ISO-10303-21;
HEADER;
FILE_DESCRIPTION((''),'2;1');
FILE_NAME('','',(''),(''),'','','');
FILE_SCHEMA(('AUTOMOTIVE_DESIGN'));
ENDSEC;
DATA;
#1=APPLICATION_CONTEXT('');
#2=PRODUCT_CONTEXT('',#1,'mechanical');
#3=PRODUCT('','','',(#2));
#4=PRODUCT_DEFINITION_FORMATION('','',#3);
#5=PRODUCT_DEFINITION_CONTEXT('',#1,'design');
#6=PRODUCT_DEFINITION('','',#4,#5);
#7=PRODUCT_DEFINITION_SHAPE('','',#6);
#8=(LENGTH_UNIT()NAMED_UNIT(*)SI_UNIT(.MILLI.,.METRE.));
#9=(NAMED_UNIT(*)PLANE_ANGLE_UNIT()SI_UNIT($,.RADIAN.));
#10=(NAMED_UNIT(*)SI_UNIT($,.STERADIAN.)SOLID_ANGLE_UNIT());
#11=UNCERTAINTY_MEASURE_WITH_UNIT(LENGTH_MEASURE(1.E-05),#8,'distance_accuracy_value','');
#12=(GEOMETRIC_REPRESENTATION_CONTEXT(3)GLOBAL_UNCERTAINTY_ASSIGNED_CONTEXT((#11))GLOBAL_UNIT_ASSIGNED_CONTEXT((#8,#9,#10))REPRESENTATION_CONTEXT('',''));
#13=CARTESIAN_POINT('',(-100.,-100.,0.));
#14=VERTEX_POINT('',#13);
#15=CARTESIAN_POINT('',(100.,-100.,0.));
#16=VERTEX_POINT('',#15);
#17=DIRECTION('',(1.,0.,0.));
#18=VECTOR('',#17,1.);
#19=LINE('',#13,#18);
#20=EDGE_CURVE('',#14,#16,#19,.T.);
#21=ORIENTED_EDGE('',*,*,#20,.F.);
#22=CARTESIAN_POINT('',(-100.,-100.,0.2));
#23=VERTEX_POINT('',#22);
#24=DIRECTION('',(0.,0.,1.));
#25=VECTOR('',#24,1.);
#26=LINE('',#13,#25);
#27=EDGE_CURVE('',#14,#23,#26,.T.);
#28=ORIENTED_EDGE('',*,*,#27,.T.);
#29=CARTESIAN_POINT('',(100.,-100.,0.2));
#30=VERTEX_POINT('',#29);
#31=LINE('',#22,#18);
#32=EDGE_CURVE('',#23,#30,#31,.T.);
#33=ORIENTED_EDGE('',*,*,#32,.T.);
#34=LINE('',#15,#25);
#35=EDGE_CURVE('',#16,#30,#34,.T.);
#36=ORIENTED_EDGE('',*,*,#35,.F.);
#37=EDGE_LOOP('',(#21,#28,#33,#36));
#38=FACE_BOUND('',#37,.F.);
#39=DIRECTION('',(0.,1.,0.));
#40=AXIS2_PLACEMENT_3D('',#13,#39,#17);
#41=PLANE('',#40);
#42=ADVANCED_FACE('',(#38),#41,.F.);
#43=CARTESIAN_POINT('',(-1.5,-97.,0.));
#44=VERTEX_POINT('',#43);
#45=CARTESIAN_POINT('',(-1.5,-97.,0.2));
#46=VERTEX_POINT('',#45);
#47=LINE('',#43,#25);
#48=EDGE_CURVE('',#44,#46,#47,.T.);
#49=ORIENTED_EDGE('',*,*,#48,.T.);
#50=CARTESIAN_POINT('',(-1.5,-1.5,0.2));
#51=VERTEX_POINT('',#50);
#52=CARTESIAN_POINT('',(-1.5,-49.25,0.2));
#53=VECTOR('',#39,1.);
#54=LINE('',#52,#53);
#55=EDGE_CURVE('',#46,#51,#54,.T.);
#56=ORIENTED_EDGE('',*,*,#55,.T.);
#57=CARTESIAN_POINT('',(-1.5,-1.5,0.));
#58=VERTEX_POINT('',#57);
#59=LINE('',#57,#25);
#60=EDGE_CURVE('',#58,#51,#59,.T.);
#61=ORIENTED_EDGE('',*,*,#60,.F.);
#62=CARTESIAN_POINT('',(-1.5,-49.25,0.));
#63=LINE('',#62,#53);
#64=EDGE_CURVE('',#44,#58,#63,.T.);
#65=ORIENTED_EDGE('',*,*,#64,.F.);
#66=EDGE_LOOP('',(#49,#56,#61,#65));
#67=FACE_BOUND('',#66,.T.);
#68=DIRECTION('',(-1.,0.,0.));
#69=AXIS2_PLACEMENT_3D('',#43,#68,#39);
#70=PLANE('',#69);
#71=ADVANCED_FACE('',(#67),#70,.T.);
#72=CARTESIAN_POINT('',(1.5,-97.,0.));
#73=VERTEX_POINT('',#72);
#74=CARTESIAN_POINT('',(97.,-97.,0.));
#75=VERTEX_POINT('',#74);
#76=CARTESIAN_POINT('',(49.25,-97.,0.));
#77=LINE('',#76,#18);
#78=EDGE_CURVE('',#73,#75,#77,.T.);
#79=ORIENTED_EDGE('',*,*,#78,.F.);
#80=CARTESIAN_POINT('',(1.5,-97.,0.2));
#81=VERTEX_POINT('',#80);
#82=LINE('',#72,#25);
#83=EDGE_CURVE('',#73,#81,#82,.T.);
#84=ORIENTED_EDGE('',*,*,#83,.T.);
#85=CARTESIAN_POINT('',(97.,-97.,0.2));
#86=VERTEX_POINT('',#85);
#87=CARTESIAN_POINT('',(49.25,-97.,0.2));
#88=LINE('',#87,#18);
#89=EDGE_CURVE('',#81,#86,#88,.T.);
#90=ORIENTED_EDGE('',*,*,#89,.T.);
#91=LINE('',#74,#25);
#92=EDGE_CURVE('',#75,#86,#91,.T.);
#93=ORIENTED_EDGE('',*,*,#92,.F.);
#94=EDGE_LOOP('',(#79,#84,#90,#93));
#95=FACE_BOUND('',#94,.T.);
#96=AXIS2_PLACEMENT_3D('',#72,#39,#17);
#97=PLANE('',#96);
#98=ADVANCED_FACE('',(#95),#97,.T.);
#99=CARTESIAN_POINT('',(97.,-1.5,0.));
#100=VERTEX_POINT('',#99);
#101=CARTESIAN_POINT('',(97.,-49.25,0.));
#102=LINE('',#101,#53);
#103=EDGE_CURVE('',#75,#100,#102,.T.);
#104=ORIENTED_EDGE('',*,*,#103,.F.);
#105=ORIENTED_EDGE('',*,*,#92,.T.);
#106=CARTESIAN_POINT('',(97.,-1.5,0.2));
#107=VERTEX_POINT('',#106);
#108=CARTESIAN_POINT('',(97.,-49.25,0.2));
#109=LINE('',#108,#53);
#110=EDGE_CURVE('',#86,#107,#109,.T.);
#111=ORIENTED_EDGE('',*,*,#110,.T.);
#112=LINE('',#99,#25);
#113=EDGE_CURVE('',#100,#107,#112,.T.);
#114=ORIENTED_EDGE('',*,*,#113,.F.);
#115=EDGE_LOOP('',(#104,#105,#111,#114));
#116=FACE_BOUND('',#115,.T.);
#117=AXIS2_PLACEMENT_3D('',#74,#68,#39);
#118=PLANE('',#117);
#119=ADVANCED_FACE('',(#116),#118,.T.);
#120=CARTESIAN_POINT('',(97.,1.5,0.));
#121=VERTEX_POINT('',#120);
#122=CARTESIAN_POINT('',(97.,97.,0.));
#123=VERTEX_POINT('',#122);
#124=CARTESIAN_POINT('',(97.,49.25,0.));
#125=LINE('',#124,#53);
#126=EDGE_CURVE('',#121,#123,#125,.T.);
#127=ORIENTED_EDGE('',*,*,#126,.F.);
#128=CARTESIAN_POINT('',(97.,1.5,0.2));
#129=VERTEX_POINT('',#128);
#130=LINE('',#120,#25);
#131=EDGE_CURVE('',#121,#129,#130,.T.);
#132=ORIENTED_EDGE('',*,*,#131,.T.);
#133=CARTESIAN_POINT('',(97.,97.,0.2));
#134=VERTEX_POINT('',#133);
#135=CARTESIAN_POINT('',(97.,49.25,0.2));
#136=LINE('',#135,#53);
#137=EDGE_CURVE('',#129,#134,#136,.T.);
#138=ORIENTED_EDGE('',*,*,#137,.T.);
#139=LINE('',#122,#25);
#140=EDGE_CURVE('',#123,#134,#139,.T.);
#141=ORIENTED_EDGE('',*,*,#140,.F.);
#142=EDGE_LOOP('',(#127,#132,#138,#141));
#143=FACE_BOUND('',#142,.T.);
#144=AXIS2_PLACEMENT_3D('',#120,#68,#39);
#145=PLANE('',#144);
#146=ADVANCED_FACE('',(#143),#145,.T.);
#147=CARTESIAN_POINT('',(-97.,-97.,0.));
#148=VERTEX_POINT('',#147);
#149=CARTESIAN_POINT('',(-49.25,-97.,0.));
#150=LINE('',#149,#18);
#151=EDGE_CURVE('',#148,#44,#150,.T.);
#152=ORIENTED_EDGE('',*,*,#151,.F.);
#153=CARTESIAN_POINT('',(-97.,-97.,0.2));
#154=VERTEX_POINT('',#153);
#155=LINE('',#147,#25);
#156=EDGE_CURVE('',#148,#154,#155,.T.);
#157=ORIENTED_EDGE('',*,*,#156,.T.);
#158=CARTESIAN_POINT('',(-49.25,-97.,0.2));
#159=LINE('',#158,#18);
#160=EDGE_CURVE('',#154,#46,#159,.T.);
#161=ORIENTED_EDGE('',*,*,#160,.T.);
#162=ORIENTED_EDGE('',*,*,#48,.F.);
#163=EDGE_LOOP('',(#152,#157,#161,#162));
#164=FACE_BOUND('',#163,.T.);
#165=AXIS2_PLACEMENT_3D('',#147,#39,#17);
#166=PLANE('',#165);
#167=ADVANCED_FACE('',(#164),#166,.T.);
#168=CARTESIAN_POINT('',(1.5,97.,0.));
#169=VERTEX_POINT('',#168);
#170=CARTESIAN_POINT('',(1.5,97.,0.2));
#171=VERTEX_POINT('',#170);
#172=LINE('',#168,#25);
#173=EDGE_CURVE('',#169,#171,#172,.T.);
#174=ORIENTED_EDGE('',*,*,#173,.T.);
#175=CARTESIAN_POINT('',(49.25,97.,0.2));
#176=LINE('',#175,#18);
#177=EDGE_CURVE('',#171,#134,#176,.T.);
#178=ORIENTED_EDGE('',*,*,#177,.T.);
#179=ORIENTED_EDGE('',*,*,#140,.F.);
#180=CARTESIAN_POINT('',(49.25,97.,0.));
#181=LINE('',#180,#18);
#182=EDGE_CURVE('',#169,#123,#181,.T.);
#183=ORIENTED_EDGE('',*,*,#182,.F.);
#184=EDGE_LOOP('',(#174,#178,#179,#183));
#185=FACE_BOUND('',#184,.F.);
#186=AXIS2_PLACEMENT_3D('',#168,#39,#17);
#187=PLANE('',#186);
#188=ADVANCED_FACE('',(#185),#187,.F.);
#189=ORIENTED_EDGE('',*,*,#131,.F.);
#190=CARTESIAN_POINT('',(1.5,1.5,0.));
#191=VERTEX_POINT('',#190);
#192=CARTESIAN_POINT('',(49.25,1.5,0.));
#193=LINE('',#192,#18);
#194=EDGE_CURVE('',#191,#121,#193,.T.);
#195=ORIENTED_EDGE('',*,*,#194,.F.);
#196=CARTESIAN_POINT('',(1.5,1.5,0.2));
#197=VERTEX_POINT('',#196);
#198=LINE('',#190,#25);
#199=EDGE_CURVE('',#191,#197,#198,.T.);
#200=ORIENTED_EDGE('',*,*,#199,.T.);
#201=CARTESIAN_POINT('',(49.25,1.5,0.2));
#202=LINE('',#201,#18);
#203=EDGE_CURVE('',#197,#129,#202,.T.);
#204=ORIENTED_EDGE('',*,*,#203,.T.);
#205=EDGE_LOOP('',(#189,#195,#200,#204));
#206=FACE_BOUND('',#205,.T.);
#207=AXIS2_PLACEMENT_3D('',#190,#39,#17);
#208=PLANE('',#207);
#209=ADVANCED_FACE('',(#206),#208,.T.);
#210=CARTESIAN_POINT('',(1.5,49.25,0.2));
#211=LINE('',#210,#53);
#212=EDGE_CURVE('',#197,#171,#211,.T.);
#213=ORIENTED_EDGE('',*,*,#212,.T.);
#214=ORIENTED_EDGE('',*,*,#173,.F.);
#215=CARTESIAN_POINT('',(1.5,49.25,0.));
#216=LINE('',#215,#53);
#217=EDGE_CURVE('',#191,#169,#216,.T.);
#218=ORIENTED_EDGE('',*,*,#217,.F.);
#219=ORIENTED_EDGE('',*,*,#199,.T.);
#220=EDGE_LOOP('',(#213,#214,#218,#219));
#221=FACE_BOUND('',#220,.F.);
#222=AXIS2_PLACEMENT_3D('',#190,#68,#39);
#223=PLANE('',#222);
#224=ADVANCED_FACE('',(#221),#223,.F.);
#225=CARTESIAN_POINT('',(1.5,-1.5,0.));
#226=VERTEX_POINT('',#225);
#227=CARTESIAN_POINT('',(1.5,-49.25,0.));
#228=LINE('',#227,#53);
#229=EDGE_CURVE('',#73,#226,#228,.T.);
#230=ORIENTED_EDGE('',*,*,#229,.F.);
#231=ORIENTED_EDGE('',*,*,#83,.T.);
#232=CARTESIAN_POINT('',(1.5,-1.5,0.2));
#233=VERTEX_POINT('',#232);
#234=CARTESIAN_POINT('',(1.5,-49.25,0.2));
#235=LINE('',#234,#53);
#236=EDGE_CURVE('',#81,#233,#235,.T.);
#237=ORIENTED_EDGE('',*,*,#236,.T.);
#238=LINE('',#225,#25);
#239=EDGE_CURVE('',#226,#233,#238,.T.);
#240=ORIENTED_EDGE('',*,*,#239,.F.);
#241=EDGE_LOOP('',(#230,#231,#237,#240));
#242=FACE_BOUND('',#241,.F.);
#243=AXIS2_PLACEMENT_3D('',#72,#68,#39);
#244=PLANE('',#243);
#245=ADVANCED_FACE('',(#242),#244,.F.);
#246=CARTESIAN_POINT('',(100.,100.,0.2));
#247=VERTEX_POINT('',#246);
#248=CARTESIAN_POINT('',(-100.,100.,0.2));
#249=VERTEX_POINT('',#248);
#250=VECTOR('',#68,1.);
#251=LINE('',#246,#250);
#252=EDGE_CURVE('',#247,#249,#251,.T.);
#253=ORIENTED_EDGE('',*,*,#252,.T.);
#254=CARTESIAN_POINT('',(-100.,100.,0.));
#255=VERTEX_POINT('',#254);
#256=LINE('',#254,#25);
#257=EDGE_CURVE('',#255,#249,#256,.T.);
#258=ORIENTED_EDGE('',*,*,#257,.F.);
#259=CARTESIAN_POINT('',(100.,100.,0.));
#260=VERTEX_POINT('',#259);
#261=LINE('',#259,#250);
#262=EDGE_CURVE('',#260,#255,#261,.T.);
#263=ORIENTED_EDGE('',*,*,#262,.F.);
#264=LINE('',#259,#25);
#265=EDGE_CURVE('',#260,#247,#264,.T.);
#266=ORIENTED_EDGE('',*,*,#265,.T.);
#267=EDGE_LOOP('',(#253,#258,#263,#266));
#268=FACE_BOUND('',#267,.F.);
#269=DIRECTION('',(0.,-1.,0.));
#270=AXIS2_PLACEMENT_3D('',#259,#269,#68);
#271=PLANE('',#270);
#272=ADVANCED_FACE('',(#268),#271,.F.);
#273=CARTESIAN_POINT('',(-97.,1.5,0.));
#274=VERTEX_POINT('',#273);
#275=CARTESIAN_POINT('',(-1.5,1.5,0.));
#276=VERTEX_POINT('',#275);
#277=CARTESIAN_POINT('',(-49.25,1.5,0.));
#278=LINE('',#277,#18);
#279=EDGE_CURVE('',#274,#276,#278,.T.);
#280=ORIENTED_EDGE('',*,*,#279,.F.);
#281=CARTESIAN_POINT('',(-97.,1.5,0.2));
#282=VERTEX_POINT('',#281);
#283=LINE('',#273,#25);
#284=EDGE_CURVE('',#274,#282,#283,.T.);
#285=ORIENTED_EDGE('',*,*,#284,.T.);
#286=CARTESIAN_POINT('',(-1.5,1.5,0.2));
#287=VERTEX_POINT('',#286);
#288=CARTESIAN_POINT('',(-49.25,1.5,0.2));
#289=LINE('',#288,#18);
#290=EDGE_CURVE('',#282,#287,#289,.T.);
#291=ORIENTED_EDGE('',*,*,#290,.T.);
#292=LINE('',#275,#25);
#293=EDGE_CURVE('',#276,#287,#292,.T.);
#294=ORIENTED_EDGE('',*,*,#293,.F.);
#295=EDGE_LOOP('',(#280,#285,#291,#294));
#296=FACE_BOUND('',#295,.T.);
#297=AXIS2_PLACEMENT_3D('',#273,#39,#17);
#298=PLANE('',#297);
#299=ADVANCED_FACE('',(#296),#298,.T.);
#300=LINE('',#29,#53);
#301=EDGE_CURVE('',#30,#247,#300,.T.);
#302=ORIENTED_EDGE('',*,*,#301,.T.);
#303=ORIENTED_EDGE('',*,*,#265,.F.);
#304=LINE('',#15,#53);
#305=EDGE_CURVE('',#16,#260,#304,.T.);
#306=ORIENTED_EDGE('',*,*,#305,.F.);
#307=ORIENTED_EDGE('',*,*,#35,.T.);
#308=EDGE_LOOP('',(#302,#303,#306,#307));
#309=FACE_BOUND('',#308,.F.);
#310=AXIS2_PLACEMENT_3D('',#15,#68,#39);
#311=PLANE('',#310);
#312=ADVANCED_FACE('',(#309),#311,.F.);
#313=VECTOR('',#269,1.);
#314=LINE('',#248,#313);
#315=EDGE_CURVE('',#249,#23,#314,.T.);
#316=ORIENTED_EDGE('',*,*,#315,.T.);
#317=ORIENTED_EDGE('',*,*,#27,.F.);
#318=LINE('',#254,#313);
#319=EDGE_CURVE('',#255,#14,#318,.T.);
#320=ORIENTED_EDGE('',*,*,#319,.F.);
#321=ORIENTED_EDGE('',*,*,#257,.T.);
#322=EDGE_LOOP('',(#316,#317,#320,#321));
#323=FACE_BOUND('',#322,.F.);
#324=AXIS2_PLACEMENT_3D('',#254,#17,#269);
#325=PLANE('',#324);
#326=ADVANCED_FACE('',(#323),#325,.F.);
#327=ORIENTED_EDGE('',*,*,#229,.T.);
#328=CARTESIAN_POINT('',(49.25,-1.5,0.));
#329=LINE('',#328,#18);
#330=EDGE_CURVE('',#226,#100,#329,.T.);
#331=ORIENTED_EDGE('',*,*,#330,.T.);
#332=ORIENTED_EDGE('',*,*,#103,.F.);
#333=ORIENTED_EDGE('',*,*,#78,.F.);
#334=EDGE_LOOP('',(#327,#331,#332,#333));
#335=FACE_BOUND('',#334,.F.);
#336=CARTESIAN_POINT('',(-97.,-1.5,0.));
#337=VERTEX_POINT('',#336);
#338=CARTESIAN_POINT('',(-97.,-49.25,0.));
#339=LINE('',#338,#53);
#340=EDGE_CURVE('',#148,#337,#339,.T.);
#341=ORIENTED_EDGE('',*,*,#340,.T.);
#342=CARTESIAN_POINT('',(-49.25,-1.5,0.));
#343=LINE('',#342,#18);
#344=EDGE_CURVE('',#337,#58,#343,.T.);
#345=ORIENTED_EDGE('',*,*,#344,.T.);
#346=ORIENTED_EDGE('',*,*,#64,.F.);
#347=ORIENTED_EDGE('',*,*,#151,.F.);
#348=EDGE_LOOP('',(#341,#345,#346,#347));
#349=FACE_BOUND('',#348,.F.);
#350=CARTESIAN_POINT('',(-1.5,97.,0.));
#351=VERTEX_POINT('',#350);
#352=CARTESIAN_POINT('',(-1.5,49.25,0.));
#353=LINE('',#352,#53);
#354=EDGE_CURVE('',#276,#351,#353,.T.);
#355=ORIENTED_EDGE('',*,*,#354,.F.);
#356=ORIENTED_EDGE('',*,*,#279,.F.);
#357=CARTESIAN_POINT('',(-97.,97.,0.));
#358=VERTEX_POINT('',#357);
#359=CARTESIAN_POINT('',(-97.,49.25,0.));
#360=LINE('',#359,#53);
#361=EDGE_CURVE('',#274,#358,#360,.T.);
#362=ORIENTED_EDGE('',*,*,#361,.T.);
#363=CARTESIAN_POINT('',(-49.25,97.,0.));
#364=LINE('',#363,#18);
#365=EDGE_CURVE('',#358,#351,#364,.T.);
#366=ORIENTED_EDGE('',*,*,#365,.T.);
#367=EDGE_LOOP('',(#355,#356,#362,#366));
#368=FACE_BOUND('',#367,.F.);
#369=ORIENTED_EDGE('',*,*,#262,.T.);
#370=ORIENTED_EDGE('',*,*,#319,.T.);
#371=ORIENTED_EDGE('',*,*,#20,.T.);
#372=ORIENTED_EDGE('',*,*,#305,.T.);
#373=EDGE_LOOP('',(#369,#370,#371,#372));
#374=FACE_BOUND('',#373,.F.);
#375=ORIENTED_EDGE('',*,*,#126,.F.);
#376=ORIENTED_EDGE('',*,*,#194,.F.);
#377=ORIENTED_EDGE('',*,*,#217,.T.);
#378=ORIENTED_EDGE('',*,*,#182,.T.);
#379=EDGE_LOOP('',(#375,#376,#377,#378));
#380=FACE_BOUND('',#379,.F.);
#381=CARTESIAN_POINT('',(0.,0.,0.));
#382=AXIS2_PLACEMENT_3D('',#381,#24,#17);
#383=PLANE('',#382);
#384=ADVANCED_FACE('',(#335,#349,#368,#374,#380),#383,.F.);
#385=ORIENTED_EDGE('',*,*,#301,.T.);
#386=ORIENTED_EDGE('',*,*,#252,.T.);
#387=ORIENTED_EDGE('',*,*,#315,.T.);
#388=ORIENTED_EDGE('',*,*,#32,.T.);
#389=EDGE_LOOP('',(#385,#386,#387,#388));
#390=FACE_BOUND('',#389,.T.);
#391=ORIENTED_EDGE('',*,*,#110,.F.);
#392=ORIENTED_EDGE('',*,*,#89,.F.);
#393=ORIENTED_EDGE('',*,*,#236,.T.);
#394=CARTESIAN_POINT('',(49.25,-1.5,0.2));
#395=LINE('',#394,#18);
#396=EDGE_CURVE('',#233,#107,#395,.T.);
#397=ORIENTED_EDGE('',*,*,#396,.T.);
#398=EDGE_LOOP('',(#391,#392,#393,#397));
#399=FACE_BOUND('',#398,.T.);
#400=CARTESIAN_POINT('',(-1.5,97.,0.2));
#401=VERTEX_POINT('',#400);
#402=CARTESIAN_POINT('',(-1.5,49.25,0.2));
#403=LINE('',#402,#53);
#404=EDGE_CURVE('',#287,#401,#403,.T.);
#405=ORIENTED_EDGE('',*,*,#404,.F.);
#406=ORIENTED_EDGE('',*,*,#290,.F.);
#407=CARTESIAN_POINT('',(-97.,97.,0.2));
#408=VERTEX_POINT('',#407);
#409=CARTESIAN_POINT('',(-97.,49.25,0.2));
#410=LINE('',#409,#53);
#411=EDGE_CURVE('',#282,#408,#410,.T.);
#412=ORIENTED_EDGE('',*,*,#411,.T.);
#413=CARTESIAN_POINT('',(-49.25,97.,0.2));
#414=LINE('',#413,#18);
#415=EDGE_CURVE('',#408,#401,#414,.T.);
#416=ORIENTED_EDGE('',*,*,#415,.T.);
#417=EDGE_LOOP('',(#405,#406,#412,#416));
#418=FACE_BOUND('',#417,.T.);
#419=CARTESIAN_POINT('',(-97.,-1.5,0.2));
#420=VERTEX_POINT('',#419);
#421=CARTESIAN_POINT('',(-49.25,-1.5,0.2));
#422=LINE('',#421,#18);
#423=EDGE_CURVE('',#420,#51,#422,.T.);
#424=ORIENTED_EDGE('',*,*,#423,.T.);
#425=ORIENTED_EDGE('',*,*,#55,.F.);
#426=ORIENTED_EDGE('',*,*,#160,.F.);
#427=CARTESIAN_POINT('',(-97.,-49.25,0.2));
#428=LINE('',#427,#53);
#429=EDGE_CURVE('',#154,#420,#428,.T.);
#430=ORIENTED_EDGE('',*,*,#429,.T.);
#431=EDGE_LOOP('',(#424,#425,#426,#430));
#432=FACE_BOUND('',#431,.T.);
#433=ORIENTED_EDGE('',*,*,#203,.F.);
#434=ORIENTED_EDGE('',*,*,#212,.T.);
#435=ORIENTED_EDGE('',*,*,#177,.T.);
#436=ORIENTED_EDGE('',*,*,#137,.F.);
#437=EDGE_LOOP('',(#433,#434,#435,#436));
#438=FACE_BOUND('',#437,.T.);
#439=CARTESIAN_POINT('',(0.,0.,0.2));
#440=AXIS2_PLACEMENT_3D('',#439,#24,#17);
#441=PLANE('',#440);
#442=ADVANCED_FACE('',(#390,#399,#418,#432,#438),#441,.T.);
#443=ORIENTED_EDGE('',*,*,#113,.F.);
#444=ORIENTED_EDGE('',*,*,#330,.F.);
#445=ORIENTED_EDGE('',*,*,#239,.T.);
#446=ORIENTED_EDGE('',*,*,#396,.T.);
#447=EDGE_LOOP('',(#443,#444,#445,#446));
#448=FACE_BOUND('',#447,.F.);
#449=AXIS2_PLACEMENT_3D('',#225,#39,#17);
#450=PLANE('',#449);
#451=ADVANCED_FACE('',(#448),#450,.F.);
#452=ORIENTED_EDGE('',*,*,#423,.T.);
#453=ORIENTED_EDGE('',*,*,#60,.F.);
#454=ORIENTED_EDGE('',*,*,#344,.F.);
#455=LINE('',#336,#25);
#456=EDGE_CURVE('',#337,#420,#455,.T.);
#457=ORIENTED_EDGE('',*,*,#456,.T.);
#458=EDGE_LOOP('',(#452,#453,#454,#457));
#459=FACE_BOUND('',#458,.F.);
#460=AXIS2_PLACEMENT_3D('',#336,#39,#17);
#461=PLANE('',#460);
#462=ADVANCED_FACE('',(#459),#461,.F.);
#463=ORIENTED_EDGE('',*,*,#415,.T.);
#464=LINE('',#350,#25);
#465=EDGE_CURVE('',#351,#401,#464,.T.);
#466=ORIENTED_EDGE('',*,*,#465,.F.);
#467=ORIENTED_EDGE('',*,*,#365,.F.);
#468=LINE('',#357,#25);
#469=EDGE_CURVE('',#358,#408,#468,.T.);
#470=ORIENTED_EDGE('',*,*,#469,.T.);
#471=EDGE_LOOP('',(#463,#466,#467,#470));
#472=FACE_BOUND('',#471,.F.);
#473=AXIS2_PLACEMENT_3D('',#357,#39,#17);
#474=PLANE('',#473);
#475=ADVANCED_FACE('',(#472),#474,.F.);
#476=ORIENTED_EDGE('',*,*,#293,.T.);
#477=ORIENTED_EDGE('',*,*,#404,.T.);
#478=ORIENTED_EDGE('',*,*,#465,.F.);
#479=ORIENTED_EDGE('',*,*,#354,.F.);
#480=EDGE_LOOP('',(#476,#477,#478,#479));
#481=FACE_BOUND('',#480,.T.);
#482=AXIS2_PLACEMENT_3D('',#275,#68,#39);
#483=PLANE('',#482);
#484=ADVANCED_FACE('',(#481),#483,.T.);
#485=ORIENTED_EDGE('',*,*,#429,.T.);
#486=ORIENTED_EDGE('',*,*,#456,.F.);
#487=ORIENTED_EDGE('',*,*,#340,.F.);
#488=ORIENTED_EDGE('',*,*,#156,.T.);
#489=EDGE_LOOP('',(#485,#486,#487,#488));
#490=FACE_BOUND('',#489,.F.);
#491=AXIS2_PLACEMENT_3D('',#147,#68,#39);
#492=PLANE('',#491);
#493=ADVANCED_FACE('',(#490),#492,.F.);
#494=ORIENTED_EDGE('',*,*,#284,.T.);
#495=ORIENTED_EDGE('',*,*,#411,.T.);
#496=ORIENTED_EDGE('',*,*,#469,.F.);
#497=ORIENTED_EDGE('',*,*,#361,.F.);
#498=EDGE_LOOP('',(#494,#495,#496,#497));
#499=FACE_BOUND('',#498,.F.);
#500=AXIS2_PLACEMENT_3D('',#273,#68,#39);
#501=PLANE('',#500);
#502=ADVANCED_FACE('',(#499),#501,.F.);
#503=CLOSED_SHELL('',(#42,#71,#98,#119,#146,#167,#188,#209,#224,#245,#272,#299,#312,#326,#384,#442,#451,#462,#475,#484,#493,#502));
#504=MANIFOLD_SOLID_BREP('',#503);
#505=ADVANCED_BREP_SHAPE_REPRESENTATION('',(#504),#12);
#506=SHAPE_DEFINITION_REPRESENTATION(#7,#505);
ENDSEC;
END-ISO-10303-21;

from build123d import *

# Parameters (mm, degrees)
F0_W     = 95.5
F0_H     = 95.5
F1_DEPTH = 0.2


with BuildPart() as f1:
    # F0 (on Top) → F1 (new body)
    with BuildSketch(Plane.XY):
        Polygon((1.5, -100), (100, -100), (100, -1.5), (100, 1.5), (100, 100), (1.5, 100), (-1.5, 100), (-100, 100), (-100, 1.5), (-100, -1.5), (-100, -100), (-1.5, -100), align=None)
        with Locations((-49.25, -49.25)):
            Rectangle(F0_W, F0_H, mode=Mode.SUBTRACT)
        with Locations((49.25, -49.25)):
            Rectangle(F0_W, F0_H, mode=Mode.SUBTRACT)
        with Locations((-49.25, 49.25)):
            Rectangle(F0_W, F0_H, mode=Mode.SUBTRACT)
        with Locations((49.25, 49.25)):
            Rectangle(F0_W, F0_H, mode=Mode.SUBTRACT)
    extrude(amount=F1_DEPTH)


solid = f1.part
